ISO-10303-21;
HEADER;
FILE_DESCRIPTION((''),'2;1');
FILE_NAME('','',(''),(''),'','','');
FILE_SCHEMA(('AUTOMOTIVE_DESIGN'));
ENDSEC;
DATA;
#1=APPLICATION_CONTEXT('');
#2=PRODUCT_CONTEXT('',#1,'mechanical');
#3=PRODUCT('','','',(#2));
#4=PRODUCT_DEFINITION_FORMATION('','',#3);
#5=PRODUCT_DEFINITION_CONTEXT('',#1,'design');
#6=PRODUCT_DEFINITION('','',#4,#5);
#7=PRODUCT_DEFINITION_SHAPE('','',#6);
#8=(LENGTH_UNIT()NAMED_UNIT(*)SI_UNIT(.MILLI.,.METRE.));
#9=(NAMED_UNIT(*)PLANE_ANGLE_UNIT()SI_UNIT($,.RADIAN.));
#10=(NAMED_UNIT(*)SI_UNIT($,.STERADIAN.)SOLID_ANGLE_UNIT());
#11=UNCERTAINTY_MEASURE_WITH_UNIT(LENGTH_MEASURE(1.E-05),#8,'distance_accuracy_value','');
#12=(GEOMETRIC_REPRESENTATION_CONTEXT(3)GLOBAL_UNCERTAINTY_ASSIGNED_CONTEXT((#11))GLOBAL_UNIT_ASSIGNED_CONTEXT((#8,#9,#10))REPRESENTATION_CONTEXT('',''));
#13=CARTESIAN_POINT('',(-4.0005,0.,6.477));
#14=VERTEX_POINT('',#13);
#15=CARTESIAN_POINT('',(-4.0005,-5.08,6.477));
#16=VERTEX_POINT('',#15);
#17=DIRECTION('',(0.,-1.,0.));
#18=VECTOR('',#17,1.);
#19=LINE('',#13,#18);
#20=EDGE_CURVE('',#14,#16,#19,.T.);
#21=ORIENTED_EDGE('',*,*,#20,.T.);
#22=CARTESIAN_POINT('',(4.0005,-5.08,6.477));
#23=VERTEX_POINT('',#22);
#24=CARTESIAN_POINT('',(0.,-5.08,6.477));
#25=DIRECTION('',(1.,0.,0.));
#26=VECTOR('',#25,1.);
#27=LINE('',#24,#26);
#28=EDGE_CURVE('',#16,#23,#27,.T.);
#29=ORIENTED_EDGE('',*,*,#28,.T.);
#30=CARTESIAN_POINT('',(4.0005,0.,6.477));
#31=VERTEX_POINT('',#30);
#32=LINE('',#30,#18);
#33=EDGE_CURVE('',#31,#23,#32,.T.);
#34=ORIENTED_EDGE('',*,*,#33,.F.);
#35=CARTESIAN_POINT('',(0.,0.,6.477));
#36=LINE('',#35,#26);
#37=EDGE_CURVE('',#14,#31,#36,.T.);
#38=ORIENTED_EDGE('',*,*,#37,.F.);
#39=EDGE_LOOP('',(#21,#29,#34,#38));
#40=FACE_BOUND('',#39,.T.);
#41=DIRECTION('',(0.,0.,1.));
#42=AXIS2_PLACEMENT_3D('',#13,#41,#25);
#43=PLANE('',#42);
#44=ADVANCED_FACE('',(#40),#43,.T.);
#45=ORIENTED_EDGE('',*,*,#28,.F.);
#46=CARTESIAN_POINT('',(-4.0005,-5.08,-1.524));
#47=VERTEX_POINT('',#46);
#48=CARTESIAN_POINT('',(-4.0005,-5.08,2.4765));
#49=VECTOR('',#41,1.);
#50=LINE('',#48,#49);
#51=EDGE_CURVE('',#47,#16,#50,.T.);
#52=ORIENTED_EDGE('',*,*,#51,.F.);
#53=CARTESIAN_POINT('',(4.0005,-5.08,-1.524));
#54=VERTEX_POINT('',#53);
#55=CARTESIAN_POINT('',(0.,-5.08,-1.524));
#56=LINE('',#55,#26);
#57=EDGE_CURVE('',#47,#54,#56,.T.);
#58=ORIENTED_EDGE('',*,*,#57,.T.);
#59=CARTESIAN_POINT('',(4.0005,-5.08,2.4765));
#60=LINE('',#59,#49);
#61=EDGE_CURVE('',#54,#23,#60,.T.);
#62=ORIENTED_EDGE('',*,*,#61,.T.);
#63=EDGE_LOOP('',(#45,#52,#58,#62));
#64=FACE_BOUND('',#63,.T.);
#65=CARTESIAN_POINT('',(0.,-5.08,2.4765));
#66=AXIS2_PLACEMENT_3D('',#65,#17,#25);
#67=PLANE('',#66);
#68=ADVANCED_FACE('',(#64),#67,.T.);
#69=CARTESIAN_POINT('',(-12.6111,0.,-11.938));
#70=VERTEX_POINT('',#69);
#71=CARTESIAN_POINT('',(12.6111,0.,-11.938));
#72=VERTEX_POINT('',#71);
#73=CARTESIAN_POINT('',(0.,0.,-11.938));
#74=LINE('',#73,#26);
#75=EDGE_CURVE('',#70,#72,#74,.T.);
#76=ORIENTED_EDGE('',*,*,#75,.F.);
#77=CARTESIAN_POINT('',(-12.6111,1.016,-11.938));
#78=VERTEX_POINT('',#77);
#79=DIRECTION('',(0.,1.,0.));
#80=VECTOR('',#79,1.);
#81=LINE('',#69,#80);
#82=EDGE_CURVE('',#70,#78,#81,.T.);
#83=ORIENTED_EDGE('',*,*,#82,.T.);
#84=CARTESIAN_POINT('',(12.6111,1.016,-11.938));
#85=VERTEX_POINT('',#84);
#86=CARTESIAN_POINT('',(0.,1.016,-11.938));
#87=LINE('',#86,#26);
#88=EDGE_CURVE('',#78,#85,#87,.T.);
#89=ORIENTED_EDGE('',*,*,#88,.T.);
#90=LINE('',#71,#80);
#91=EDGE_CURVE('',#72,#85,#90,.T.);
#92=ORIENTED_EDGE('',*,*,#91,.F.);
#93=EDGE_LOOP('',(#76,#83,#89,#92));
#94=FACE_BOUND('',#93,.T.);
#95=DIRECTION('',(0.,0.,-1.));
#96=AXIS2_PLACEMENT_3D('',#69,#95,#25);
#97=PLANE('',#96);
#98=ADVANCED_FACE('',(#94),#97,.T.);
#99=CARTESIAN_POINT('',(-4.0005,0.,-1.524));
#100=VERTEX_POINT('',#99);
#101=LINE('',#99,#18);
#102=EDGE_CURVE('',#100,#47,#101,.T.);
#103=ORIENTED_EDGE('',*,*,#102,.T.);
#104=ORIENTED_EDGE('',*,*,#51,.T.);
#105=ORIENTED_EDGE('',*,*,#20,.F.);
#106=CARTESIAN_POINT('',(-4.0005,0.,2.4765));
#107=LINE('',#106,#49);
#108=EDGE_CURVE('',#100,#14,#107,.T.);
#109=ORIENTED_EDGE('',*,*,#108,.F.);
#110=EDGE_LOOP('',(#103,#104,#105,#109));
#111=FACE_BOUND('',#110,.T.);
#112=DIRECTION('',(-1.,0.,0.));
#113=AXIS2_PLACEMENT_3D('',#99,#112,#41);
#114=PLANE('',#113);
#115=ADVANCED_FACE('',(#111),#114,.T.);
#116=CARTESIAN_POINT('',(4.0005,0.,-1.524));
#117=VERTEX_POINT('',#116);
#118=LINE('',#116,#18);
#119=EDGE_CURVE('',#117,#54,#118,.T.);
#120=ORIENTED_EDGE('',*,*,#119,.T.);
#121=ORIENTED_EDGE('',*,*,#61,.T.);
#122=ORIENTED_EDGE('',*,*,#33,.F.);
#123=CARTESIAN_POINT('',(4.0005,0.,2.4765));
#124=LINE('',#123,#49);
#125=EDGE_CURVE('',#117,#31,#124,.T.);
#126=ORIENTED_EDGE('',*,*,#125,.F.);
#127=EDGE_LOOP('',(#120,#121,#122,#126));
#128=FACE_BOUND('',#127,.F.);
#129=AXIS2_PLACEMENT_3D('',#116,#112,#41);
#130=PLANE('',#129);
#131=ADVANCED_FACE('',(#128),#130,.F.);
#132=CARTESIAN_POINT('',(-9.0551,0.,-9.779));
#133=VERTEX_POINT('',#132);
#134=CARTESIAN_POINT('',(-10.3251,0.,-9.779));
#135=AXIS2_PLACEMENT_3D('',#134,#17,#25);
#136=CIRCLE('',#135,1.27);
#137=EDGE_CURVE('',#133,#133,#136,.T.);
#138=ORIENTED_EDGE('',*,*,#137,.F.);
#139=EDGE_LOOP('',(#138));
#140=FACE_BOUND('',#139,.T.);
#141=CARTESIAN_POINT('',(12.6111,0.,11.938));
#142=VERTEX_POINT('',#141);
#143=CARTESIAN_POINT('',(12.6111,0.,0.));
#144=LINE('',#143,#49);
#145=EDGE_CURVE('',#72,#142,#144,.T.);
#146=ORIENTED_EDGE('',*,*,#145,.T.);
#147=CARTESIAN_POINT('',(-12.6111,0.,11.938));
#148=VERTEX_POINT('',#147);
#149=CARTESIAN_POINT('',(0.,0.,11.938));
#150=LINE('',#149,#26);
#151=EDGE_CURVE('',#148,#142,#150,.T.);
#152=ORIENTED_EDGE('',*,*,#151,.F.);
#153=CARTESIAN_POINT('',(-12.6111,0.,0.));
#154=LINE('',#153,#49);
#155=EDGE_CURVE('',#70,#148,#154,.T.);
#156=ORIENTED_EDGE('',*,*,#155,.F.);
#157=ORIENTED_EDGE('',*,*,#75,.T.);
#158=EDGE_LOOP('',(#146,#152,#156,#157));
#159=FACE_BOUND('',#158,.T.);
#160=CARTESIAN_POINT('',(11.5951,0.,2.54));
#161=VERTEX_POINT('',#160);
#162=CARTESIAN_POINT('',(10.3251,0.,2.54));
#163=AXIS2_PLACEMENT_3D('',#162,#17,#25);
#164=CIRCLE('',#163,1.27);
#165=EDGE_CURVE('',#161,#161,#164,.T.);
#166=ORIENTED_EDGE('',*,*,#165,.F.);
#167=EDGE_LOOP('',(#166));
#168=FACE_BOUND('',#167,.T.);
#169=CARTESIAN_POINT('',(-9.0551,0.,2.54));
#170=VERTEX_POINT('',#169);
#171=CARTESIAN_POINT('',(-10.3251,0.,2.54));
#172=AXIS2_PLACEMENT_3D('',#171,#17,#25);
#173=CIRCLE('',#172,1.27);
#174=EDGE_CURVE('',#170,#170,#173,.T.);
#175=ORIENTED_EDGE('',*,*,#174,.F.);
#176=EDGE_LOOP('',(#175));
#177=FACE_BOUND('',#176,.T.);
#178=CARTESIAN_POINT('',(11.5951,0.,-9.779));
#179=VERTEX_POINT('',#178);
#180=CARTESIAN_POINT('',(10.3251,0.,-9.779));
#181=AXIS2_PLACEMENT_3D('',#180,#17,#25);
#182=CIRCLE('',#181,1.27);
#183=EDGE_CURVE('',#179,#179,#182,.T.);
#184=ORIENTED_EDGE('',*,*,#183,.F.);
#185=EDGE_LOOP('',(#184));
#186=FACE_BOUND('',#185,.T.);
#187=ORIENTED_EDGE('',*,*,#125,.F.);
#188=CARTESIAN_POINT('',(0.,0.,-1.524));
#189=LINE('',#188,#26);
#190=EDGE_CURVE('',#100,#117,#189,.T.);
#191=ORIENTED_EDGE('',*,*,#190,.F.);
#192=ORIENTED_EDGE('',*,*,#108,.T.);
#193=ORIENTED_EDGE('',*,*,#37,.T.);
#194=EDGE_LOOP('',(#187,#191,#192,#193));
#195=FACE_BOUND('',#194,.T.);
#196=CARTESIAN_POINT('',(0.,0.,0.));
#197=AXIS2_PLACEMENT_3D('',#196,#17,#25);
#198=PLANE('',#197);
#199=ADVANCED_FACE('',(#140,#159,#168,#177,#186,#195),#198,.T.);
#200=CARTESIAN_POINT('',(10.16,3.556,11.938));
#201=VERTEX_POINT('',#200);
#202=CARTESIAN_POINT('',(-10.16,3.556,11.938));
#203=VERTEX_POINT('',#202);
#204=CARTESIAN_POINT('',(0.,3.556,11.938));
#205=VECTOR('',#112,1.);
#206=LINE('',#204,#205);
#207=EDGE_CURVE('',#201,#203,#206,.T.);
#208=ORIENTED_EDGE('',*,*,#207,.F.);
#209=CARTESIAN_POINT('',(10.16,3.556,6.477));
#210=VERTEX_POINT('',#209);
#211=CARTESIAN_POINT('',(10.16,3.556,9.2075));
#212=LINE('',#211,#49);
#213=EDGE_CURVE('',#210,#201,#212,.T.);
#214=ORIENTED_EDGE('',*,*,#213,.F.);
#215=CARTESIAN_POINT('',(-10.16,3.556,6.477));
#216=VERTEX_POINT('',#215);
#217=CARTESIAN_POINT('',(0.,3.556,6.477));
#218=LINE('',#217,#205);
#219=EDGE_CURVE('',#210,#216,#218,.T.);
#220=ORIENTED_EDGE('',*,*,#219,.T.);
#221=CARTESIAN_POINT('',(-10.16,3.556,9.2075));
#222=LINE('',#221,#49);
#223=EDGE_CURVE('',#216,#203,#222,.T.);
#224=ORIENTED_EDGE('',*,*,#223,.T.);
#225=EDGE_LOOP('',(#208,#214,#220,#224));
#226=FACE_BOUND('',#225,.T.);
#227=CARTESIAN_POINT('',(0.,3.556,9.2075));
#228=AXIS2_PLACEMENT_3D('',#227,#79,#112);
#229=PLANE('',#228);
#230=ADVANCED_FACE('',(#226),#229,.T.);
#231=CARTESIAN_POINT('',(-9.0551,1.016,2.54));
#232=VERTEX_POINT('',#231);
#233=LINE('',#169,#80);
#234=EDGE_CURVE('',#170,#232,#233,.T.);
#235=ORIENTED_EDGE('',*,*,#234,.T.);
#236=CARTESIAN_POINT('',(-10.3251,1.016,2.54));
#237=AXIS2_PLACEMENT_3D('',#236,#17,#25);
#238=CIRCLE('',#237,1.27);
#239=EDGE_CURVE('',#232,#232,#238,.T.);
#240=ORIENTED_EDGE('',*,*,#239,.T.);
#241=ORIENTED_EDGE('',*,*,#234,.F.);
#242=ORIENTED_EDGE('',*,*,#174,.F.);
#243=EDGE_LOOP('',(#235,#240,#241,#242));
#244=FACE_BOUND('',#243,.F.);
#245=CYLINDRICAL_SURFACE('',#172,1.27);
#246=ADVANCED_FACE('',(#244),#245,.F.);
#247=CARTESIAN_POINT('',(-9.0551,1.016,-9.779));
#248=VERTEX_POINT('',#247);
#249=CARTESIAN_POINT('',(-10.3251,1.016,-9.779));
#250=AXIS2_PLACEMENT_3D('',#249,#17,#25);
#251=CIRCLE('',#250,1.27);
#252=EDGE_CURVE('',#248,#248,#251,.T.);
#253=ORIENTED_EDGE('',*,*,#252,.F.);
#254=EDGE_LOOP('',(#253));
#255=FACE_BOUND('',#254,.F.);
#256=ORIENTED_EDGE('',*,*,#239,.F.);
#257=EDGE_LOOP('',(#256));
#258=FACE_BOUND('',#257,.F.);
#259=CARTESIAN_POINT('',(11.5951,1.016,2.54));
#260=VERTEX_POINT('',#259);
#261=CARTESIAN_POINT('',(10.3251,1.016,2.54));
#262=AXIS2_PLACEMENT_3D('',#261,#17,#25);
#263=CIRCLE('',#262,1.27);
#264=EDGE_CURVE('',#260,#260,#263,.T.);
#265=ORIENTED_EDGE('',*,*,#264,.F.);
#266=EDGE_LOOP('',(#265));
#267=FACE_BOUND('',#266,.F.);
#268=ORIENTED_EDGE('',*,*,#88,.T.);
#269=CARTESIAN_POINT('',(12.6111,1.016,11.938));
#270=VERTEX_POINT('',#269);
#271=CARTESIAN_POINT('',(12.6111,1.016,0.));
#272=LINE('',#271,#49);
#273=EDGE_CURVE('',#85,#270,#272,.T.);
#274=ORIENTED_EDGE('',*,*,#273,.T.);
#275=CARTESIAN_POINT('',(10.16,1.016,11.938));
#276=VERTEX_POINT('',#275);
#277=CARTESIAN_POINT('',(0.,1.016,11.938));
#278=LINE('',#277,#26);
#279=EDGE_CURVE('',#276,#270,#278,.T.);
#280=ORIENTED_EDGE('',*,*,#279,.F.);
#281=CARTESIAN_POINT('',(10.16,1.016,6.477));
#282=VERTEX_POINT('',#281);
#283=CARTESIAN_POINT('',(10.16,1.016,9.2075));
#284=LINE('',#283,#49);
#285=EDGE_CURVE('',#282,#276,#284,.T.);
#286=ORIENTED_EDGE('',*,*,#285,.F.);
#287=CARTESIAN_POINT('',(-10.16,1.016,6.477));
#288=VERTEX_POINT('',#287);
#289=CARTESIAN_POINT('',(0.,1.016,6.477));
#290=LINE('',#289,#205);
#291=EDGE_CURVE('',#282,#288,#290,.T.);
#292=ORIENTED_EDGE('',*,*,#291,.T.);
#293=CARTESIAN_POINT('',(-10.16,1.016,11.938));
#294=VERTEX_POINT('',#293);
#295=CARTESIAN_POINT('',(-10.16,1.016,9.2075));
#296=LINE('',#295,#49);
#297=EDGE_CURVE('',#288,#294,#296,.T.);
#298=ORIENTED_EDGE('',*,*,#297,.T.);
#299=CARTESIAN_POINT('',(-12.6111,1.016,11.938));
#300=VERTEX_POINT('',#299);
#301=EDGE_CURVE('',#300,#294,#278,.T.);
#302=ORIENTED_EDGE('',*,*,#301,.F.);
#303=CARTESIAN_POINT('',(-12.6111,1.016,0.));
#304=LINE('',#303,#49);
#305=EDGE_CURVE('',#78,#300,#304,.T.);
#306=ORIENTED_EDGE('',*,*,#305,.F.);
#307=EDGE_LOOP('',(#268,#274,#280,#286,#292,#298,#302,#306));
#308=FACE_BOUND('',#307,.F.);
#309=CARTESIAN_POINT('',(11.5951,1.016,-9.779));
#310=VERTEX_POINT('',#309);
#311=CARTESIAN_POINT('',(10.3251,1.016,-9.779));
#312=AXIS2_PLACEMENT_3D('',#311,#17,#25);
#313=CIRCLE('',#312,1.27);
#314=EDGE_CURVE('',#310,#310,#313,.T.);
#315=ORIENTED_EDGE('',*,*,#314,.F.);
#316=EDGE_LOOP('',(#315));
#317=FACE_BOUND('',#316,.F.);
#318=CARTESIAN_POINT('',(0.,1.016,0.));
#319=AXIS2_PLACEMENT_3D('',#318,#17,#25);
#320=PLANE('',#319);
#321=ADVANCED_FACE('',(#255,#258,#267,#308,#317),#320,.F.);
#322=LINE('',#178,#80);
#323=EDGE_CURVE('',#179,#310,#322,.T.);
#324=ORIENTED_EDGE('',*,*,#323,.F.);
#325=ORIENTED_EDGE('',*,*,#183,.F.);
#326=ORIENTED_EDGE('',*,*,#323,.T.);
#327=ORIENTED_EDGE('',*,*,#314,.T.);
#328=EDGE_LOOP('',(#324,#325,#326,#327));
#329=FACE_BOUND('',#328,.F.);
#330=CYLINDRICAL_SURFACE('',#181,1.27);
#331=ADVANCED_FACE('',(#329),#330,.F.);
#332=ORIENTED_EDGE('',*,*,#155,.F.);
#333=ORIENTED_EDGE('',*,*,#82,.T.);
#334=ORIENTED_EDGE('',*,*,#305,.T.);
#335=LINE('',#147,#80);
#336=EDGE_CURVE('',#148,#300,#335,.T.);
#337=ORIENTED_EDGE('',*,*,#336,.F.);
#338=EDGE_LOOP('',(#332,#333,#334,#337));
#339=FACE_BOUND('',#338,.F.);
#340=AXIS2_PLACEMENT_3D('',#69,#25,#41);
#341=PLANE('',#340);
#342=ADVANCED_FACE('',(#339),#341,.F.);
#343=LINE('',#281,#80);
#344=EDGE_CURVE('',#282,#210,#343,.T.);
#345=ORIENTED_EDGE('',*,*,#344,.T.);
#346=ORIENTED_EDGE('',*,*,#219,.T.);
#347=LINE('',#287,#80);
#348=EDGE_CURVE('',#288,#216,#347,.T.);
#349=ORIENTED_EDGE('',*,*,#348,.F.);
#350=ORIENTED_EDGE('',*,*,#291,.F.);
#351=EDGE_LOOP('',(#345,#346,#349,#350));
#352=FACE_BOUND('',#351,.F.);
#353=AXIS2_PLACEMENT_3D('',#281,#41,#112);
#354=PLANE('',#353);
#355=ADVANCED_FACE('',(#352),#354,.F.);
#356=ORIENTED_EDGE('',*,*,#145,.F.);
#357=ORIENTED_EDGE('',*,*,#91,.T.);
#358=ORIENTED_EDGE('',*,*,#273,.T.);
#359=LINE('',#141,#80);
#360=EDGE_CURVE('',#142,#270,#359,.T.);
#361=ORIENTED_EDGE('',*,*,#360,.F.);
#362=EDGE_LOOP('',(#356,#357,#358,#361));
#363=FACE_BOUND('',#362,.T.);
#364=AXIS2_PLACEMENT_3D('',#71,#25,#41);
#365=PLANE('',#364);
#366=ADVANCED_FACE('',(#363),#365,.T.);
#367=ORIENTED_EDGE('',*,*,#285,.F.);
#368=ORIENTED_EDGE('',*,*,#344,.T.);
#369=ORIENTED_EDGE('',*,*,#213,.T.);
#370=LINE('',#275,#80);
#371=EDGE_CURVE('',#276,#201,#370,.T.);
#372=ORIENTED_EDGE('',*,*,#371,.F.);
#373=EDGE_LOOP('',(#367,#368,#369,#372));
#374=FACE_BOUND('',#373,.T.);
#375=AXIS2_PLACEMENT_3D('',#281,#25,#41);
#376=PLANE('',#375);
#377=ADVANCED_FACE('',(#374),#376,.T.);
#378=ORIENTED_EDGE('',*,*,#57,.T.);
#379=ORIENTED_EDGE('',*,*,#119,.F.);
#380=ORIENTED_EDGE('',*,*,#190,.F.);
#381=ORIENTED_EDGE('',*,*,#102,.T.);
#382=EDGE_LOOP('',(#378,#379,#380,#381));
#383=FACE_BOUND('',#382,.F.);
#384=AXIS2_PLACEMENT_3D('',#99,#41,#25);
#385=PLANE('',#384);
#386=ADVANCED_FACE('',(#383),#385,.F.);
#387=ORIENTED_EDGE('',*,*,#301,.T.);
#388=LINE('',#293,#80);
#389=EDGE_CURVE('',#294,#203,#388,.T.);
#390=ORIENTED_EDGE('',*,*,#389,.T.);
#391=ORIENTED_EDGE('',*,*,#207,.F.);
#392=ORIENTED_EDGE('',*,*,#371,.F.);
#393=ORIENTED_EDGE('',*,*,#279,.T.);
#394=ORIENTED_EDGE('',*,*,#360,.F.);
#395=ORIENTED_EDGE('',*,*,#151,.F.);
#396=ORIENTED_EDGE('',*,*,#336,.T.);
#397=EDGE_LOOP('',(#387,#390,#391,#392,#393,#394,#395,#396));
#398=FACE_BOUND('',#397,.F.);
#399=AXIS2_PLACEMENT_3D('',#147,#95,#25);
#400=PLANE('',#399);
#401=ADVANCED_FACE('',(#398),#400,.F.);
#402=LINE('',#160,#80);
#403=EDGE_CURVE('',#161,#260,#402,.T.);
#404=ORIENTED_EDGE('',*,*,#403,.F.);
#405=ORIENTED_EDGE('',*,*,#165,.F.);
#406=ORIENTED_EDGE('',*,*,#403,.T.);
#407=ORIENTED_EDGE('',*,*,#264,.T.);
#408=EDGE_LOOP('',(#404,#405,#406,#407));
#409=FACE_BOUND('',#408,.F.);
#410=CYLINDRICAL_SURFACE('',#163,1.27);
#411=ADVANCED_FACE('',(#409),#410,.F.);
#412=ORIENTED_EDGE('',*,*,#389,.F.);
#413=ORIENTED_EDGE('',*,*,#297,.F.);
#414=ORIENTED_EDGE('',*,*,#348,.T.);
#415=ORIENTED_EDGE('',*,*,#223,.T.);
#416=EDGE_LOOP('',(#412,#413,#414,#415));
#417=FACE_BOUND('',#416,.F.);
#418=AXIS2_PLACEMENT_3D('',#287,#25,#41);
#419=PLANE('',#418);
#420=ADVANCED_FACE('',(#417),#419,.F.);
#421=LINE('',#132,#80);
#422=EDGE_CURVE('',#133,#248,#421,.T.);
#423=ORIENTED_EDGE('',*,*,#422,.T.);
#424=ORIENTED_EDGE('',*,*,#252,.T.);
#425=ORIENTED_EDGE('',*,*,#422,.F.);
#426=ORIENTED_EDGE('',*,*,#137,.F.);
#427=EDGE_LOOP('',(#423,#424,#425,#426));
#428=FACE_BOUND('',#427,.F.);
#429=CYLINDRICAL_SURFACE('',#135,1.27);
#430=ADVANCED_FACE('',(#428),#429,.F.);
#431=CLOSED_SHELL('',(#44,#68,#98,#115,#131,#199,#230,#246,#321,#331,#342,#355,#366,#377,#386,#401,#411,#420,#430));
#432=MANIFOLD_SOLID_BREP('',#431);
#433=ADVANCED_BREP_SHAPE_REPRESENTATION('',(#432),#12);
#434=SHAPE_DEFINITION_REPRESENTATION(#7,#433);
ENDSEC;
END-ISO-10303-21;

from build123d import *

# Parameters (mm, degrees)
F0_W     = 25.2222
F0_H     = 23.876
F0_R     = 1.27
F1_DEPTH = 1.016
F2_W     = 8.001
F2_H     = 8.001
F3_DEPTH = 5.08
F4_W     = 20.32
F4_H     = 5.461
F5_DEPTH = 2.54


with BuildPart() as f1:
    # F0 (on Front) → F1 (new body)
    with BuildSketch(Plane.XZ):
        Rectangle(F0_W, F0_H)
        with Locations((-10.3251, -9.779)):
            Circle(F0_R, mode=Mode.SUBTRACT)
        with Locations((10.3251, -9.779)):
            Circle(F0_R, mode=Mode.SUBTRACT)
        with Locations((-10.3251, 2.54)):
            Circle(F0_R, mode=Mode.SUBTRACT)
        with Locations((10.3251, 2.54)):
            Circle(F0_R, mode=Mode.SUBTRACT)
    extrude(amount=-F1_DEPTH)

    # F2 (on face) → F3 (join)
    with BuildSketch(Plane.XZ):
        with Locations((0, 2.4765)):
            Rectangle(F2_W, F2_H)
    extrude(amount=F3_DEPTH)

    # F4 (on face) → F5 (join)
    with BuildSketch(Plane(origin=(0, 1.016, 0), x_dir=(-1, 0, 0), z_dir=(0, 1, 0))):
        with Locations((0, 9.2075)):
            Rectangle(F4_W, F4_H)
    extrude(amount=F5_DEPTH)


solid = f1.part
